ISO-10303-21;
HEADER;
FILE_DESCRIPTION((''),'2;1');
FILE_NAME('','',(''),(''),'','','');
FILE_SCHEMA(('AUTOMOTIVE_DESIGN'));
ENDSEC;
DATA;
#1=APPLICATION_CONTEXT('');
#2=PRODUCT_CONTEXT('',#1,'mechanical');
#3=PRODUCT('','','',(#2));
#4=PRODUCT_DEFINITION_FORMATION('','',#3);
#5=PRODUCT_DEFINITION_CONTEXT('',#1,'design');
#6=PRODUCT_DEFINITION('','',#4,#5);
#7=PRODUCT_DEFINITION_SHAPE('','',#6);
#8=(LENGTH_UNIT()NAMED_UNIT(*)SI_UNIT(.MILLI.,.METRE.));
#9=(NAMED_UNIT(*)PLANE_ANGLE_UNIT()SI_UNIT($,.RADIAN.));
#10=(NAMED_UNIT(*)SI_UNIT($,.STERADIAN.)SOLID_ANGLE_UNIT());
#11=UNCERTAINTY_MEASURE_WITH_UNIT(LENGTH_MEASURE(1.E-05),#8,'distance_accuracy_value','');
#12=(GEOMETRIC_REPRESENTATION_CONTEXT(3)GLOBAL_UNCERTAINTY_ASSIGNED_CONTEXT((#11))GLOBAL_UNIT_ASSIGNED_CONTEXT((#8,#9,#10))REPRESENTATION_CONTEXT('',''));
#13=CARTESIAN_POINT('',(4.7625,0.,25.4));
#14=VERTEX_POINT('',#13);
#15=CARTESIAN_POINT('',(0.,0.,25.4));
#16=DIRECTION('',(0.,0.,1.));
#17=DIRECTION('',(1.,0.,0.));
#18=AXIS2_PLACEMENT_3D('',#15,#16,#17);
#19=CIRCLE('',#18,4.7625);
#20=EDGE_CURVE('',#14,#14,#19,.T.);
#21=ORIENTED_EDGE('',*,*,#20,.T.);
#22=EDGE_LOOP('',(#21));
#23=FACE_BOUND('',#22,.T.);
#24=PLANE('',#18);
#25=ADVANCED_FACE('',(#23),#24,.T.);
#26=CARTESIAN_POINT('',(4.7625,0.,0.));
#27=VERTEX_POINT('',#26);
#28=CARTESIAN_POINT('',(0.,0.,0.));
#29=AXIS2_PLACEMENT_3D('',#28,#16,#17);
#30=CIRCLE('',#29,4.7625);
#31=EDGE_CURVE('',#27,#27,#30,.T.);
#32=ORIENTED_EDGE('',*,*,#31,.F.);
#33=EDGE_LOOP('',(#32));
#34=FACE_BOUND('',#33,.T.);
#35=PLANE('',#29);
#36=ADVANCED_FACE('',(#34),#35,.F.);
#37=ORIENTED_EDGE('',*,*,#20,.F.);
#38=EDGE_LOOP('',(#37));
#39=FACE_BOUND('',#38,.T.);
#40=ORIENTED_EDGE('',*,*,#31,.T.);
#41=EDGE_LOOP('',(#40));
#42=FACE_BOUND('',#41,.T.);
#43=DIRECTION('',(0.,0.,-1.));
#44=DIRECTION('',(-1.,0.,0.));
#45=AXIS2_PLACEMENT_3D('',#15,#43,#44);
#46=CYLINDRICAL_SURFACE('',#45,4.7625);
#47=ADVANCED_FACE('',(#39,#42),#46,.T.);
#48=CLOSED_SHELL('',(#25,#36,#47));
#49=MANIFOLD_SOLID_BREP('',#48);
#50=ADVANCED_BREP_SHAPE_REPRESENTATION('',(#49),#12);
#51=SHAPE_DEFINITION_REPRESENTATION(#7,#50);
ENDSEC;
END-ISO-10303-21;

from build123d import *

# Parameters (mm, degrees)
SKETCH1_R           = 4.7625
BOSS_EXTRUDE1_DEPTH = 25.4


with BuildPart() as part:
    # Sketch1 → Boss-Extrude1 (new body)
    with BuildSketch(Plane.XY):
        Circle(SKETCH1_R)
    extrude(amount=BOSS_EXTRUDE1_DEPTH)


solid = part.part
